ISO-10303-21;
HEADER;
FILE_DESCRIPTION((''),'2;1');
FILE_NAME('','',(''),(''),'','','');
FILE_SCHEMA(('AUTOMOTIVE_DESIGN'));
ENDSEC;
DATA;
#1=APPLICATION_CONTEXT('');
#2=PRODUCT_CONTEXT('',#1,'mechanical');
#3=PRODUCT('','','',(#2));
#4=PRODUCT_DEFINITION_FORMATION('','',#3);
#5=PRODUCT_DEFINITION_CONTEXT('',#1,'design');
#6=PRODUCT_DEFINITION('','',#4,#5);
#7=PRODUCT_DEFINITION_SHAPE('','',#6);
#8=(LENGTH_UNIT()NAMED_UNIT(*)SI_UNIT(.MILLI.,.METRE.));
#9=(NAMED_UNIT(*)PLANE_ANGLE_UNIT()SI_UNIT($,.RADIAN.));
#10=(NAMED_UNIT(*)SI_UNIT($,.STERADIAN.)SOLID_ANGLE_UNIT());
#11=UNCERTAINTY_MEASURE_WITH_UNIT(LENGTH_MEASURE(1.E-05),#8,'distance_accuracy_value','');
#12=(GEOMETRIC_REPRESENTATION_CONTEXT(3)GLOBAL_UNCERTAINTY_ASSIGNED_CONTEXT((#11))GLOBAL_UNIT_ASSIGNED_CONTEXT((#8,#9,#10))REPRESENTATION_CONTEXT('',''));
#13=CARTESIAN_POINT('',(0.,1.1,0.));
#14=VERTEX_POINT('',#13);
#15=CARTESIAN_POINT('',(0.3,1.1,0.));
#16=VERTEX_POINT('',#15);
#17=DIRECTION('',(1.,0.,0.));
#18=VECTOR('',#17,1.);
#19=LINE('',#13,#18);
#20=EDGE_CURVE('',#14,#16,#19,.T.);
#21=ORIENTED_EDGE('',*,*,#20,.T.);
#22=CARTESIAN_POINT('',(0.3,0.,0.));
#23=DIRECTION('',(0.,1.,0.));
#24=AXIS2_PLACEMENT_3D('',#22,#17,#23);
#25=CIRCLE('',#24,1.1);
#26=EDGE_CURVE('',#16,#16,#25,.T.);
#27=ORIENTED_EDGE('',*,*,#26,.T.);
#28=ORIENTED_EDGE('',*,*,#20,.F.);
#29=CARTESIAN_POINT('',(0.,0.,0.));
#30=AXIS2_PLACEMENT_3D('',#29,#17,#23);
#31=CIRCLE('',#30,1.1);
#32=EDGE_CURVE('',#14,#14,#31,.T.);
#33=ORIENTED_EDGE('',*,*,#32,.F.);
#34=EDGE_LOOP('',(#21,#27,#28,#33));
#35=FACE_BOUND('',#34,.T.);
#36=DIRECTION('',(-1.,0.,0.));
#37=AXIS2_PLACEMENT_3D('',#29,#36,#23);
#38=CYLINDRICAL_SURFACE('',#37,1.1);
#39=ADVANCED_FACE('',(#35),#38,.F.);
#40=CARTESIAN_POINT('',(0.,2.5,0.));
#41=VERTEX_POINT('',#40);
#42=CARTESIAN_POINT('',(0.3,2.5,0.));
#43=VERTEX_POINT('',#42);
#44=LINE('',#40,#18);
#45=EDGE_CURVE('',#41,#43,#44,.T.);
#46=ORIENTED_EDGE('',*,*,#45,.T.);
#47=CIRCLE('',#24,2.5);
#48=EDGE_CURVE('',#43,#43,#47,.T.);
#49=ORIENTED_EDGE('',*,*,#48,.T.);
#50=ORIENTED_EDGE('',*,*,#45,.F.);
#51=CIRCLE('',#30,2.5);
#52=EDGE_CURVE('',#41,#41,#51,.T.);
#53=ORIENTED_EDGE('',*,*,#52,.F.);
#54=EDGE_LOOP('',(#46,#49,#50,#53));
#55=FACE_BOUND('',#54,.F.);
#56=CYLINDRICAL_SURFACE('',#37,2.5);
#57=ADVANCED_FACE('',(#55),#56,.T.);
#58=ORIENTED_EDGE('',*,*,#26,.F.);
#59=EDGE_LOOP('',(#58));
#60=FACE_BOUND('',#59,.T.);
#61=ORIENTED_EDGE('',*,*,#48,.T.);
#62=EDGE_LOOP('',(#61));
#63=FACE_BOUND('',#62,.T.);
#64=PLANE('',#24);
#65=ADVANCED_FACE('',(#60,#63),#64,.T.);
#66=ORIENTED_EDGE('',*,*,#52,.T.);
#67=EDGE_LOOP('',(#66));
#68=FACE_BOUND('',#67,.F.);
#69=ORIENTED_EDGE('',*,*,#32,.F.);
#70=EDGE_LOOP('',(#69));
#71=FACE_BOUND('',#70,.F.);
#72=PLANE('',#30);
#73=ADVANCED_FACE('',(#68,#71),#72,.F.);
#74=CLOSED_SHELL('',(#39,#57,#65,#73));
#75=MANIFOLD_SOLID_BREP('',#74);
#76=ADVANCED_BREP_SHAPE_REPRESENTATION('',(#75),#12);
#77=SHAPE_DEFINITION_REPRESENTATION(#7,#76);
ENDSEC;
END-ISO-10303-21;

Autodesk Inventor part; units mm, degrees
ref_plane "YZ Plane" through (0, 0, 0) normal (1, 0, 0) x (0, 1, 0)
ref_plane "XZ Plane" through (0, 0, 0) normal (0, 1, 0) x (-1, 0, 0)
sketch "Skizze" plane through (0, 0, 0) normal (1, 0, 0) x (0, 1, 0)
  circle A0 centre (0, 0) radius 2.5
  circle A1 centre (0, 0) radius 1.1
  dimension "d0" = 2.2
  dimension "d1" = 5
extrude "Körper" add sketch "Skizze" along normal blind 0.3
ref_plane "Work Plane1" through (0, 0, 0) normal (0, 0, 1) x (1, 0, 0)
equation "\"d0\" = SD1"
equation "\"d1\" = SD2"
equation "\"d2\" = SD"
equation "\"SD1\" = 2.2"
equation "\"SD2\" = 5"
equation "\"SD\" = 0.3"
equation "\"NND\" = 2"
properties part number "ISO 7089 - 2" material "Edelstahl"
